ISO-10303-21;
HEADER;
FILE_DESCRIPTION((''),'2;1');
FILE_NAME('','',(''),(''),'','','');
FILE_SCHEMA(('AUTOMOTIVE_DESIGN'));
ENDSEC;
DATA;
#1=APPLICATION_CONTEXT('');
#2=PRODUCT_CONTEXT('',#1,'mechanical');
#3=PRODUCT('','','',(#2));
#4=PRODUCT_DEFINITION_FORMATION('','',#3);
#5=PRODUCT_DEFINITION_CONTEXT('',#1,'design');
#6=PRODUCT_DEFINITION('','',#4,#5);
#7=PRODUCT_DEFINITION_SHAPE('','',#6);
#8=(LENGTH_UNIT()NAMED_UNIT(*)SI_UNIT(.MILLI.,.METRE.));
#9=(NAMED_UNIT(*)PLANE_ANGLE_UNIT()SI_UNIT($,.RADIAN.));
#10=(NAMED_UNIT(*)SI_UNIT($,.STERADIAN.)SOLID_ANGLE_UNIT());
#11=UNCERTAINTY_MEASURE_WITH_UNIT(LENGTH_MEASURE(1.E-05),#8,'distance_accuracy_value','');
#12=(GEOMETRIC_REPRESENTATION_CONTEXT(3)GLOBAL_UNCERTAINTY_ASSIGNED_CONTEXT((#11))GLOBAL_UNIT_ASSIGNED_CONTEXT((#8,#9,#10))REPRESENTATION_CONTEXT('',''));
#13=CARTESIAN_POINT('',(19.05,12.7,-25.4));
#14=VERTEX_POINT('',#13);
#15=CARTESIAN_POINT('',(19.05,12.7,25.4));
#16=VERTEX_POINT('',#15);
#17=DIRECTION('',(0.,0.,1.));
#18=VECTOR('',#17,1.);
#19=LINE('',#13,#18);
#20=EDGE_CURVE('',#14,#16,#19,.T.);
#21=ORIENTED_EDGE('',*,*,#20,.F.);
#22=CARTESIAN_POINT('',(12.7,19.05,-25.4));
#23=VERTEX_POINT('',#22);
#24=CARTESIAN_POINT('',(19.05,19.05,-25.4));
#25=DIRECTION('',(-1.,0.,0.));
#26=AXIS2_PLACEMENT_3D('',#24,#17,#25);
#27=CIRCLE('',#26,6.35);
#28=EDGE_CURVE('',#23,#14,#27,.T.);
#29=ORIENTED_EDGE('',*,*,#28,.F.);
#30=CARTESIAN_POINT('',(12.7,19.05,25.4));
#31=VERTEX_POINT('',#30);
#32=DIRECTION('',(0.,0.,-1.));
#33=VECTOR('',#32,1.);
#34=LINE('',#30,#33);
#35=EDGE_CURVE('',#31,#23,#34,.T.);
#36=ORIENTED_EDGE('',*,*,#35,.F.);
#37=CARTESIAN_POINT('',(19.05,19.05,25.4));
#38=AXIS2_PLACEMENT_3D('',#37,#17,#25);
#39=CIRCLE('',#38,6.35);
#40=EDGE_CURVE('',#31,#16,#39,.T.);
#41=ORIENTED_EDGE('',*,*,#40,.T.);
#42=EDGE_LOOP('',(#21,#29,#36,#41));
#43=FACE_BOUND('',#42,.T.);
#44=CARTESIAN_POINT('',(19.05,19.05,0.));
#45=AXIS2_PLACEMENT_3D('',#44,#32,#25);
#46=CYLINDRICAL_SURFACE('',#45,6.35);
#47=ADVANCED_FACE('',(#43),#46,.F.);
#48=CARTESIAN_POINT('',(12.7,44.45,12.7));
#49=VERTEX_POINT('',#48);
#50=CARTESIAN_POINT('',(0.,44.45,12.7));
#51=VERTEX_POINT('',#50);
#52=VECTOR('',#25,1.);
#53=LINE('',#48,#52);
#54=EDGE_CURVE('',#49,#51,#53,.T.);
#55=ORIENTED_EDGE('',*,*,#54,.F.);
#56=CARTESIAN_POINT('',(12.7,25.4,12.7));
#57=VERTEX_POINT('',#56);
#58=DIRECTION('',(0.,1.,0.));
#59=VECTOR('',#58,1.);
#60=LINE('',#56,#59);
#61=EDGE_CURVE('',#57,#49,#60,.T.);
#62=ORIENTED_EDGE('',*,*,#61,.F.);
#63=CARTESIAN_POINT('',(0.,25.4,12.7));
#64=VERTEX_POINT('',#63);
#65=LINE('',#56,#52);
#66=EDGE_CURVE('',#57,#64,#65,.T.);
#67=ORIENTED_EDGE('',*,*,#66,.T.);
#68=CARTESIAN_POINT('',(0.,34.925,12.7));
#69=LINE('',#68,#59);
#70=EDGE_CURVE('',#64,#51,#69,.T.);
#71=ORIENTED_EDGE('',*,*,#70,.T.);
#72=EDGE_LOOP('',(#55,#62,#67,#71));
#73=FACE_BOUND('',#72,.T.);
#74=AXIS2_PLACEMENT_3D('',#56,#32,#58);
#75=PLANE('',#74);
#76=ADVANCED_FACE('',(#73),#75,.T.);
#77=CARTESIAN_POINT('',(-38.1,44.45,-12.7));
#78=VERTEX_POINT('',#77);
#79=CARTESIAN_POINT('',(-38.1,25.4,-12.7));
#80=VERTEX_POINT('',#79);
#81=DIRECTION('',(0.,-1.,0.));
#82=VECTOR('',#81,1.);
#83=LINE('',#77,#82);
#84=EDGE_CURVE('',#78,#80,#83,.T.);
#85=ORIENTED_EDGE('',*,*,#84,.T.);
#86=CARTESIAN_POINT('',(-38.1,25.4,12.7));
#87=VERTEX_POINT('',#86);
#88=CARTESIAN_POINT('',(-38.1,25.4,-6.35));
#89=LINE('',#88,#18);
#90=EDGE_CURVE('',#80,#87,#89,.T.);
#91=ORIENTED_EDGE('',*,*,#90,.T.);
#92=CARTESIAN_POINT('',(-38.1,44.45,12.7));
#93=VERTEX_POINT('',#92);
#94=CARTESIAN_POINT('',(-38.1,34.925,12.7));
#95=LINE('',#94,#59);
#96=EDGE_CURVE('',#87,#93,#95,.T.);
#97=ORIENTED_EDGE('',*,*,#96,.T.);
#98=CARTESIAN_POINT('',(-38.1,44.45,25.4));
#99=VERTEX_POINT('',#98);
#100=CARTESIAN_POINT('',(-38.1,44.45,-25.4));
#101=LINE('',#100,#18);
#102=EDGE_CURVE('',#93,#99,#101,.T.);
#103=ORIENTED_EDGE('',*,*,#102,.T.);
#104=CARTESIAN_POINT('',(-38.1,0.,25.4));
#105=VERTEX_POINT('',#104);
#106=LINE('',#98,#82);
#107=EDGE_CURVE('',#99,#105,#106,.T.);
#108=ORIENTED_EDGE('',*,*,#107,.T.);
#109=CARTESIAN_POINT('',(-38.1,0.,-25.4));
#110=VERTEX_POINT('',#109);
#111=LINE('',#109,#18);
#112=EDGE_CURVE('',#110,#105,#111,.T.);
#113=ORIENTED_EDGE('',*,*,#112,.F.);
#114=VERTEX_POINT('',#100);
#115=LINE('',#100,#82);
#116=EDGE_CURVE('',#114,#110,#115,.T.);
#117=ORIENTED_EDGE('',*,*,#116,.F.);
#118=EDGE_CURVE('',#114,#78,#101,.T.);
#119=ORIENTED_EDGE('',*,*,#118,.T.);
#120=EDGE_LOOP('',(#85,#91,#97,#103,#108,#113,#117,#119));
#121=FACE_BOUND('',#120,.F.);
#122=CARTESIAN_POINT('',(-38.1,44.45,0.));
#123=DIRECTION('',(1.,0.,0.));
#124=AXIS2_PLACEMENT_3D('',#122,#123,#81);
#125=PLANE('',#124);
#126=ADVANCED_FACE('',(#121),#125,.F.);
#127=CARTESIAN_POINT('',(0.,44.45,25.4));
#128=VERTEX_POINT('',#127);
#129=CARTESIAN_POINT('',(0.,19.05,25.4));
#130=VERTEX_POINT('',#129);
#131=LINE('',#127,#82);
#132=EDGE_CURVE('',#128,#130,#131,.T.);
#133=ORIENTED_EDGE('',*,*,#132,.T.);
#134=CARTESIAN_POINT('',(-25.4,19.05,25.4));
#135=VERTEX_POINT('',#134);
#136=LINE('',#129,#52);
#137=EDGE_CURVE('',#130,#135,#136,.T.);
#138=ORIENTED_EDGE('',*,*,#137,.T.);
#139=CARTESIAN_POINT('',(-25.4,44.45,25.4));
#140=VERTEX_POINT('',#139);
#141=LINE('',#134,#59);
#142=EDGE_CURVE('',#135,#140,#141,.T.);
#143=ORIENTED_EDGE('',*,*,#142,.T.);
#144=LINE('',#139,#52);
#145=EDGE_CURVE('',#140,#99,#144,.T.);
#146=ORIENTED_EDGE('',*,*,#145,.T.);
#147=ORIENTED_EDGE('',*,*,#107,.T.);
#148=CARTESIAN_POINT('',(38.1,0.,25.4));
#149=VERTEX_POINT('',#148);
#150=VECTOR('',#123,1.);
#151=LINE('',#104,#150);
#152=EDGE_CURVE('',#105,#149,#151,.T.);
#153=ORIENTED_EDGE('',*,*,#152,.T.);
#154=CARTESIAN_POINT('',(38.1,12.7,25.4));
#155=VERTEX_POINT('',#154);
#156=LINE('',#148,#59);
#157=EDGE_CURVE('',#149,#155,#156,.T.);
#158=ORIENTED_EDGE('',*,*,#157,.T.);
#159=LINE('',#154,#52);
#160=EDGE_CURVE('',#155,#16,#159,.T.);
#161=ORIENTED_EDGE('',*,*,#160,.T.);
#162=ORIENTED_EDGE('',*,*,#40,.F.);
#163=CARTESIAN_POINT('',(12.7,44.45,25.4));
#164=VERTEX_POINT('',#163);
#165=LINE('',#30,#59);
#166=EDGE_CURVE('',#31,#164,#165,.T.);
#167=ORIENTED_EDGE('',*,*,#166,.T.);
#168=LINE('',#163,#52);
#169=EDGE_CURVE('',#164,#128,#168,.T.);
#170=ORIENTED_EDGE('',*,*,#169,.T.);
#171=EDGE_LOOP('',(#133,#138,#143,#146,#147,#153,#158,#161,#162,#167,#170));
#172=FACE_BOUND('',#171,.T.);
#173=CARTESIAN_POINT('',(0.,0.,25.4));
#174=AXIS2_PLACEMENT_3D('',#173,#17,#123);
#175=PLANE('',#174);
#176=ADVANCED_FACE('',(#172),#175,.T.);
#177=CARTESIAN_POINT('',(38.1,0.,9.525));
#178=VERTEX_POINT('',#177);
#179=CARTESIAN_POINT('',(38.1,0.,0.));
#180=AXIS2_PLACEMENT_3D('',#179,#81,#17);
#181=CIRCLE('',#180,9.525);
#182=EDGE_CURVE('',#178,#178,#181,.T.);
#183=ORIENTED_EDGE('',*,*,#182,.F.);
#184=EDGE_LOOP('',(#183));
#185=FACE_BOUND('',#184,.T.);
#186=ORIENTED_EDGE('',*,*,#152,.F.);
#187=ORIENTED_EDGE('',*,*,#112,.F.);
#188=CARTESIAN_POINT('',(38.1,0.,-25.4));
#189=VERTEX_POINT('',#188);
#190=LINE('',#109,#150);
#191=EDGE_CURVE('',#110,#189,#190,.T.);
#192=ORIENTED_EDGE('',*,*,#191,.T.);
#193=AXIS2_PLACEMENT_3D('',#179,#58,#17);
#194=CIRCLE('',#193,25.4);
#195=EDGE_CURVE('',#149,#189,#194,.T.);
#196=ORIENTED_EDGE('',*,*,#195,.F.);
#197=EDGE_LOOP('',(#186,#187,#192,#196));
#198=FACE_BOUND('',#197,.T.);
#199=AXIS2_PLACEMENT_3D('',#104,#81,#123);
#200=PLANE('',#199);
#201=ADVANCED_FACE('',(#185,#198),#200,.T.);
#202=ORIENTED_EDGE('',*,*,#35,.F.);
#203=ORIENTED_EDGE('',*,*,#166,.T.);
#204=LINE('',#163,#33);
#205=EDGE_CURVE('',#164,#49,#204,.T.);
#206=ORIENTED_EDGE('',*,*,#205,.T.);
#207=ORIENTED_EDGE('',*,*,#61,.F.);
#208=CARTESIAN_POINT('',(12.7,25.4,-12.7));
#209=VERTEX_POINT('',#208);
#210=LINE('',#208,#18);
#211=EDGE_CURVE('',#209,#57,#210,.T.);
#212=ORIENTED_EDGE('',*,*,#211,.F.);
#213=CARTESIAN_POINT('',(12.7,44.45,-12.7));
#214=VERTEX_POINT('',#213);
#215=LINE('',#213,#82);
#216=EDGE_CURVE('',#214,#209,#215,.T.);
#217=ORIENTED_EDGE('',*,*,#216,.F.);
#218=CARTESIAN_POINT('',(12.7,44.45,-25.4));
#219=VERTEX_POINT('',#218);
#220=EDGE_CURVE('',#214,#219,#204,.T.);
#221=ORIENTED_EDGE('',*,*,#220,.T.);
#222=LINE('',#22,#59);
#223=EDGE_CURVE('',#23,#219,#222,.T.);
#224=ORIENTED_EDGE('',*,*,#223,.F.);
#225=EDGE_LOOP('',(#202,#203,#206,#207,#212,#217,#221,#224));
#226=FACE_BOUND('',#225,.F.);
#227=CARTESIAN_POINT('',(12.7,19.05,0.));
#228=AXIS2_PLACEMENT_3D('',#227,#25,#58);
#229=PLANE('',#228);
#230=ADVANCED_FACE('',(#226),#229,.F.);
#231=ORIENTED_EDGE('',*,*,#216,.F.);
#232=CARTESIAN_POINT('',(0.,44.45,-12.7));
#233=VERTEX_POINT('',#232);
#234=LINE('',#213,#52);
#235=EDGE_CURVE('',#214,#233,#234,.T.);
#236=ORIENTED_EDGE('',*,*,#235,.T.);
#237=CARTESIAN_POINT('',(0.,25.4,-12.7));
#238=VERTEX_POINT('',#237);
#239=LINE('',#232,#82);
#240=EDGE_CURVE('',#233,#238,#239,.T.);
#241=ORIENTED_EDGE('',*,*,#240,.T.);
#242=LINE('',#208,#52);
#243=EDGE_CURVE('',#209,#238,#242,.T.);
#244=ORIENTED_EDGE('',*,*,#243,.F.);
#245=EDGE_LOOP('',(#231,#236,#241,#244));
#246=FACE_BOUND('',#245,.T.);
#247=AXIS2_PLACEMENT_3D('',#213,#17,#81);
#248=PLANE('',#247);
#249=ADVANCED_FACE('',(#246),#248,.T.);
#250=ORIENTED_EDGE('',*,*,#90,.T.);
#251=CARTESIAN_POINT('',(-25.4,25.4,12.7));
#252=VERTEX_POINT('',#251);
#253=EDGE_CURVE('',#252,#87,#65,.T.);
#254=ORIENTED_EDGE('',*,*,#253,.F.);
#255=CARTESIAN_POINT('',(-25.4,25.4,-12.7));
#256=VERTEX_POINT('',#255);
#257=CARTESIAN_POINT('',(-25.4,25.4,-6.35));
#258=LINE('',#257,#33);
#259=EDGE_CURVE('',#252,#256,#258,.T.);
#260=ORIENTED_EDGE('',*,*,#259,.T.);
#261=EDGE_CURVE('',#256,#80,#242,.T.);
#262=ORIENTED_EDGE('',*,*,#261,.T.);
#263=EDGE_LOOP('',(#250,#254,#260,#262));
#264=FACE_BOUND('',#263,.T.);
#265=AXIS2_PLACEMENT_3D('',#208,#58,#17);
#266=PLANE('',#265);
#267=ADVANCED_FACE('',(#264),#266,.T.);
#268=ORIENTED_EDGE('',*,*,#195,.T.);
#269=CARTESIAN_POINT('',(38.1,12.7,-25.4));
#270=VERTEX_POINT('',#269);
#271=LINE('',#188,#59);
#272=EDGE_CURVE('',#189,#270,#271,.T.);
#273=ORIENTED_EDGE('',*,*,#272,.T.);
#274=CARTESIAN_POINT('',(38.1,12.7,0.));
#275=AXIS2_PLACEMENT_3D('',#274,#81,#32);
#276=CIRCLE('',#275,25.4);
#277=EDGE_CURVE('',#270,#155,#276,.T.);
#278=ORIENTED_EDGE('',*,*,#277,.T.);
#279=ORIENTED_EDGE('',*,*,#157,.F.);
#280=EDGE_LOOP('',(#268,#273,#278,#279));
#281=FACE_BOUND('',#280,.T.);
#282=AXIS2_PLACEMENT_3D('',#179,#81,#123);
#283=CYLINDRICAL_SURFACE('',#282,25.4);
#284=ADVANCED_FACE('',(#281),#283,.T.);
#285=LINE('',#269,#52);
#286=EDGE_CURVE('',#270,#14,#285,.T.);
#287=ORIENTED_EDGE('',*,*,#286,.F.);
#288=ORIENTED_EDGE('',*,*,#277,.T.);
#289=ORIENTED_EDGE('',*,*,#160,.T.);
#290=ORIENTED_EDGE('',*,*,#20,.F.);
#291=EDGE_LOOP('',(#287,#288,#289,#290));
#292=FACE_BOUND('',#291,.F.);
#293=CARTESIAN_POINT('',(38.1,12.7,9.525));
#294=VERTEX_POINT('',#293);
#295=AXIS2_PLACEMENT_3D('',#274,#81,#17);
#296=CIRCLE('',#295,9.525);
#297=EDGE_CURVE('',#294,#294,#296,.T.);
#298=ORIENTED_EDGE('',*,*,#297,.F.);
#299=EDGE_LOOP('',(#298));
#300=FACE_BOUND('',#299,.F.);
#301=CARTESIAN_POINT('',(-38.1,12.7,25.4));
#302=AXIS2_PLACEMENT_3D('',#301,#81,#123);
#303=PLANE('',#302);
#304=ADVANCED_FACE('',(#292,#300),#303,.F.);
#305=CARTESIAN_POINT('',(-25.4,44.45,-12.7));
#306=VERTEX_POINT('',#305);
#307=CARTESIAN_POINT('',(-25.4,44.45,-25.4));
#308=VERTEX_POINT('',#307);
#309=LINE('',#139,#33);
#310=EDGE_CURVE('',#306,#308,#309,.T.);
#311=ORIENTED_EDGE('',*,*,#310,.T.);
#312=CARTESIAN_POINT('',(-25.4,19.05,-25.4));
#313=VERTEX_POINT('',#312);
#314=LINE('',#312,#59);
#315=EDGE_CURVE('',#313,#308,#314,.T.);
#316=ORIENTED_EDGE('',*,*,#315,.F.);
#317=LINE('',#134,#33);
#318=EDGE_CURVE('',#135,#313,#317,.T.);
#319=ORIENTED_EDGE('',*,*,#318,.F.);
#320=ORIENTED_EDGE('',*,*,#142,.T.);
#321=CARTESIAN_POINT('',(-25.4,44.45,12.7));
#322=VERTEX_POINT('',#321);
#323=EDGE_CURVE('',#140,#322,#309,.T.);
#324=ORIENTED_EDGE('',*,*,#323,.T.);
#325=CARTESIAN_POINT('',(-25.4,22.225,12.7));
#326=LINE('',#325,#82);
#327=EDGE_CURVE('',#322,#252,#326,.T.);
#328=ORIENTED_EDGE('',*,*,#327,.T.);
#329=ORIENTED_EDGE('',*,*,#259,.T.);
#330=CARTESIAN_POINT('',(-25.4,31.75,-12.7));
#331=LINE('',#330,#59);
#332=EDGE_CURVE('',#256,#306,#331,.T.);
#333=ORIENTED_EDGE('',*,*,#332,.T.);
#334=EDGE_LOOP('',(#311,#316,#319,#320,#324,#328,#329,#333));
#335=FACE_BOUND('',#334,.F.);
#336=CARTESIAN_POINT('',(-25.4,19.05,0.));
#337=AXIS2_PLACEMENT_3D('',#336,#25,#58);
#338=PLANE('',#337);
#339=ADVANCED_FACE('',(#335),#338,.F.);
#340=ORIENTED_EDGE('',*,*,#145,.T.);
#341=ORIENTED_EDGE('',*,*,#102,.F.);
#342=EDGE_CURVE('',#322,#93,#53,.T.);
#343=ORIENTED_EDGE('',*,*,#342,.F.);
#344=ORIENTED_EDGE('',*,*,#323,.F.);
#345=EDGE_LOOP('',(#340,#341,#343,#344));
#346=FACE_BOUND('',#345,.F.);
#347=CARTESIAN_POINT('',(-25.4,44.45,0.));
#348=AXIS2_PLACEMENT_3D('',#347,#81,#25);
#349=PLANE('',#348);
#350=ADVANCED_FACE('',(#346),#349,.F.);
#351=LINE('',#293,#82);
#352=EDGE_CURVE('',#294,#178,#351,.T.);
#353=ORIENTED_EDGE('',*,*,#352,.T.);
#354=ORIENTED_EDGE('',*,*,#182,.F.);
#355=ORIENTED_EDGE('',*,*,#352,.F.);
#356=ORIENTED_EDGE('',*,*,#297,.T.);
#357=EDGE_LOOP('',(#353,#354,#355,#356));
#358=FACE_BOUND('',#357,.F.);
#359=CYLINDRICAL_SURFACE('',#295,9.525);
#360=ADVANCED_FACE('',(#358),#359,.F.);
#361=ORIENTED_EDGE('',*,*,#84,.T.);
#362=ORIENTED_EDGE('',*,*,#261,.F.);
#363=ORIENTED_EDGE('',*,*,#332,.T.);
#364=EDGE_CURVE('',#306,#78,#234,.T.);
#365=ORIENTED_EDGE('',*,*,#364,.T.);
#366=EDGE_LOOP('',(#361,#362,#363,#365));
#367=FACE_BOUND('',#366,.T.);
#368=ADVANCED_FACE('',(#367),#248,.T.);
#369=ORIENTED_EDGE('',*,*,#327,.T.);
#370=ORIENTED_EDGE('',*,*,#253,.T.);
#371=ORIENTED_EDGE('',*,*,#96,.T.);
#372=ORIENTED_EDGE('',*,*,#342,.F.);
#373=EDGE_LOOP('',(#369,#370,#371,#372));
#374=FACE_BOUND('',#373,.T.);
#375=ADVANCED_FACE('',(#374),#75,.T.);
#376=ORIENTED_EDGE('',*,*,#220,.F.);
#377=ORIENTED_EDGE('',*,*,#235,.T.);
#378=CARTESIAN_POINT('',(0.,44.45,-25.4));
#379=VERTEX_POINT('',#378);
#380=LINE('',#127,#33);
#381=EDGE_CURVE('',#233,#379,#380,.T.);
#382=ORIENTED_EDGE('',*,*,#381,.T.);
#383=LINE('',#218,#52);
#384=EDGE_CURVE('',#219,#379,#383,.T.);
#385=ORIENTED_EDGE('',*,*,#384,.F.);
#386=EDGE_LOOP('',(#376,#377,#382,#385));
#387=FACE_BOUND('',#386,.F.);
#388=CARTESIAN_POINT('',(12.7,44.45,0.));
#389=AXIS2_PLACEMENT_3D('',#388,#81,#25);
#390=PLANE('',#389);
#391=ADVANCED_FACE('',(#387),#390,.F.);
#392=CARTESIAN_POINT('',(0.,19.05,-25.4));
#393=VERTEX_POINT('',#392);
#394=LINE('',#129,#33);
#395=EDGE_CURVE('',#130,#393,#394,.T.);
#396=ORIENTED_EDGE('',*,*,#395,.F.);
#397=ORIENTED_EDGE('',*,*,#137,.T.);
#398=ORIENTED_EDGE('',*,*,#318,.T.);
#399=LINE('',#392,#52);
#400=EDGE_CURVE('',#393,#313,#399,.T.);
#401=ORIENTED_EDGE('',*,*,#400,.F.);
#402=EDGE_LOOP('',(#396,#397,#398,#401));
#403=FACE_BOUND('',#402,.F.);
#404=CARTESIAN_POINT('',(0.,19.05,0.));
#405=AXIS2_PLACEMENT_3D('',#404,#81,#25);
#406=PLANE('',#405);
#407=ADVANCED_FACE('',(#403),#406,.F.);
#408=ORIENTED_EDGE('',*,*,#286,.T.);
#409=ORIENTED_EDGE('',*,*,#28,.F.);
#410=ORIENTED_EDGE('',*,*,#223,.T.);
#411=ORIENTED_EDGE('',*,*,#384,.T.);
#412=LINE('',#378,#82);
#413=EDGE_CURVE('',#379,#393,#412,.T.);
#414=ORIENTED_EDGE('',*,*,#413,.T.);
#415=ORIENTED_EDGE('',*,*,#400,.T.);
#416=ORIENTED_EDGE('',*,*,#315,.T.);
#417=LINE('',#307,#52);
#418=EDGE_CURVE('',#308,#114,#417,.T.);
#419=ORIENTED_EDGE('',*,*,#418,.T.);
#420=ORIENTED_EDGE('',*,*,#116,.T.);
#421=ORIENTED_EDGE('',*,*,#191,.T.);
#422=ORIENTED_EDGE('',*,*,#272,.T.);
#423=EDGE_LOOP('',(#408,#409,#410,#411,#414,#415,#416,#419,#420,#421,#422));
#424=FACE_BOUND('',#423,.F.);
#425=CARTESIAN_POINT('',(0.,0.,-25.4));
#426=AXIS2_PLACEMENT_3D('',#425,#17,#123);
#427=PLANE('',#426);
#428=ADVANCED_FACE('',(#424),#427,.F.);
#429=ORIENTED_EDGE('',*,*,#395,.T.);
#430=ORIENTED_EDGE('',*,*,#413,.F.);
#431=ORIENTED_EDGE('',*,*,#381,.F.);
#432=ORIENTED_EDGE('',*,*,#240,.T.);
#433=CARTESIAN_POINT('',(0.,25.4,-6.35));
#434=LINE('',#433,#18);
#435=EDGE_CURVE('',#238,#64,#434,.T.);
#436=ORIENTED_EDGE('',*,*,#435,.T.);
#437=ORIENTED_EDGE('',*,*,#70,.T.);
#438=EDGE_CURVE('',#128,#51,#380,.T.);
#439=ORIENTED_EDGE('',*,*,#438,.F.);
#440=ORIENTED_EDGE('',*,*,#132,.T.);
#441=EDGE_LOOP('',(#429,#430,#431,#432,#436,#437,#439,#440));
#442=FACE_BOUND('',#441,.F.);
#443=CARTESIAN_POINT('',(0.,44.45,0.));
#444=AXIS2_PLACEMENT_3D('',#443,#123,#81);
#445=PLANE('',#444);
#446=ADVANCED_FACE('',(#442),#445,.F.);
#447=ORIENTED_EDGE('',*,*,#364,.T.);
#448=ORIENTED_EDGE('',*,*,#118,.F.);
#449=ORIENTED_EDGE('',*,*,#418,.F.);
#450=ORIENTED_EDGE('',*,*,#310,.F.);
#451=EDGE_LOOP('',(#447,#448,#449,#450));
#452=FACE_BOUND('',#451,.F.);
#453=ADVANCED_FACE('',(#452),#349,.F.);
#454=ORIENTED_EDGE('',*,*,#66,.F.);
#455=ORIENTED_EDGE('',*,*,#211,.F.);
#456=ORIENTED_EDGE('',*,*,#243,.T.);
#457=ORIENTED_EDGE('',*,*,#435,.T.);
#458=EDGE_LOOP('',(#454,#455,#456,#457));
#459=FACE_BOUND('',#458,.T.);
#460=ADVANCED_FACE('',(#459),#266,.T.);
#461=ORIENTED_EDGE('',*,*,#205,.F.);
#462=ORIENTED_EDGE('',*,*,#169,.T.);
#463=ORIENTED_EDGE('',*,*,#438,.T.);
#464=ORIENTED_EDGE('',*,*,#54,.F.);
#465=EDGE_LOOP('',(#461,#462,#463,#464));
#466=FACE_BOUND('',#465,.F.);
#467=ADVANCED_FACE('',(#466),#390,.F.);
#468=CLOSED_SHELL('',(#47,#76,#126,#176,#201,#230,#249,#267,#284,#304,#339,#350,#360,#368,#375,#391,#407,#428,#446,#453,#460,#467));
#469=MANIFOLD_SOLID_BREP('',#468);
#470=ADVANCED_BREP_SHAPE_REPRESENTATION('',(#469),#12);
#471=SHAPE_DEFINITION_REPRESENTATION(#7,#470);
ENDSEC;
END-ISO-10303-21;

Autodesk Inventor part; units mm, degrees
ref_plane "YZ Plane" through (0, 0, 0) normal (1, 0, 0) x (0, 1, 0)
ref_plane "XZ Plane" through (0, 0, 0) normal (0, 1, 0) x (-1, 0, 0)
ref_plane "XY Plane" through (0, 0, 0) normal (0, 0, 1) x (1, 0, 0)
sketch "Sketch1" plane through (0, 0, 0) normal (0, 0, 1) x (1, 0, 0)
  line L0 (-38.1, 44.45) -> (-38.1, 0)
  line L1 (-38.1, 0) -> (38.1, 0)
  line L2 (38.1, 0) -> (38.1, 12.7)
  line L3 (38.1, 12.7) -> (19.05, 12.7)
  line L4 (12.7, 19.05) -> (12.7, 44.45)
  line L5 (12.7, 44.45) -> (0, 44.45)
  line L6 (0, 44.45) -> (0, 19.05)
  line L7 (0, 19.05) -> (-25.4, 19.05)
  line L8 (-25.4, 19.05) -> (-25.4, 44.45)
  line L9 (-25.4, 44.45) -> (-38.1, 44.45)
  arc A0 (12.7, 19.05) -> (19.05, 12.7) centre (19.05, 19.05) ccw
  point P0 (12.7, 12.7)
  point P1 (0, 0)
  point P2 (0, 0)
  point P3 (0, 0)
  dimension "d0" = 76.2
  dimension "d1" = 44.45
  dimension "d2" = 12.7
  dimension "d3" = 19.05
  dimension "d4" = 50.8
  dimension "d5" = 12.7
  dimension "d18" = 6.35
extrude "Extrusion1" add sketch "Sketch1" along normal mid plane 50.8
sketch "Sketch2" plane through (-38.1, 0, 25.4) normal (0, -1, 0) x (1, 0, 0)
  line L0 (76.2, -50.8) -> (76.2, 0) construction
  circle A0 centre (76.2, -25.4) radius 25.4
  point P0 (38.1, -25.4)
extrude "Extrusion2" add sketch "Sketch2" against normal up to surface (12.7 mm away)
sketch "Sketch5" plane through (12.7, 12.7, 25.4) normal (0, 1, 0) x (1, 0, 0)
  arc A0 (25.4, 0) -> (25.4, 50.8) centre (25.4, 25.4) ccw construction
  point P0 (-12.7, 25.4)
hole "Hole1" at (38.1, 12.7, 0) direction (0, -1, 0) diameter 19.05 end through all
sketch "Sketch6" plane through (12.7, 19.05, 25.4) normal (1, 0, 0) x (0, 0, -1)
  line L0 (50.8, 25.4) -> (0, 25.4) construction
  line L1 (12.7, 25.4) -> (38.1, 25.4)
  line L2 (38.1, 25.4) -> (38.1, 6.35)
  line L3 (38.1, 6.35) -> (12.7, 6.35)
  line L4 (12.7, 6.35) -> (12.7, 25.4)
  point P0 (25.4, -19.05)
  point P1 (25.4, 25.4)
  dimension "d19" = 19.05
  dimension "d20" = 25.4
extrude "Extrusion3" cut sketch "Sketch6" against normal through all
properties part number "ch3-saddlebracket" material "Wood (Birch)"
